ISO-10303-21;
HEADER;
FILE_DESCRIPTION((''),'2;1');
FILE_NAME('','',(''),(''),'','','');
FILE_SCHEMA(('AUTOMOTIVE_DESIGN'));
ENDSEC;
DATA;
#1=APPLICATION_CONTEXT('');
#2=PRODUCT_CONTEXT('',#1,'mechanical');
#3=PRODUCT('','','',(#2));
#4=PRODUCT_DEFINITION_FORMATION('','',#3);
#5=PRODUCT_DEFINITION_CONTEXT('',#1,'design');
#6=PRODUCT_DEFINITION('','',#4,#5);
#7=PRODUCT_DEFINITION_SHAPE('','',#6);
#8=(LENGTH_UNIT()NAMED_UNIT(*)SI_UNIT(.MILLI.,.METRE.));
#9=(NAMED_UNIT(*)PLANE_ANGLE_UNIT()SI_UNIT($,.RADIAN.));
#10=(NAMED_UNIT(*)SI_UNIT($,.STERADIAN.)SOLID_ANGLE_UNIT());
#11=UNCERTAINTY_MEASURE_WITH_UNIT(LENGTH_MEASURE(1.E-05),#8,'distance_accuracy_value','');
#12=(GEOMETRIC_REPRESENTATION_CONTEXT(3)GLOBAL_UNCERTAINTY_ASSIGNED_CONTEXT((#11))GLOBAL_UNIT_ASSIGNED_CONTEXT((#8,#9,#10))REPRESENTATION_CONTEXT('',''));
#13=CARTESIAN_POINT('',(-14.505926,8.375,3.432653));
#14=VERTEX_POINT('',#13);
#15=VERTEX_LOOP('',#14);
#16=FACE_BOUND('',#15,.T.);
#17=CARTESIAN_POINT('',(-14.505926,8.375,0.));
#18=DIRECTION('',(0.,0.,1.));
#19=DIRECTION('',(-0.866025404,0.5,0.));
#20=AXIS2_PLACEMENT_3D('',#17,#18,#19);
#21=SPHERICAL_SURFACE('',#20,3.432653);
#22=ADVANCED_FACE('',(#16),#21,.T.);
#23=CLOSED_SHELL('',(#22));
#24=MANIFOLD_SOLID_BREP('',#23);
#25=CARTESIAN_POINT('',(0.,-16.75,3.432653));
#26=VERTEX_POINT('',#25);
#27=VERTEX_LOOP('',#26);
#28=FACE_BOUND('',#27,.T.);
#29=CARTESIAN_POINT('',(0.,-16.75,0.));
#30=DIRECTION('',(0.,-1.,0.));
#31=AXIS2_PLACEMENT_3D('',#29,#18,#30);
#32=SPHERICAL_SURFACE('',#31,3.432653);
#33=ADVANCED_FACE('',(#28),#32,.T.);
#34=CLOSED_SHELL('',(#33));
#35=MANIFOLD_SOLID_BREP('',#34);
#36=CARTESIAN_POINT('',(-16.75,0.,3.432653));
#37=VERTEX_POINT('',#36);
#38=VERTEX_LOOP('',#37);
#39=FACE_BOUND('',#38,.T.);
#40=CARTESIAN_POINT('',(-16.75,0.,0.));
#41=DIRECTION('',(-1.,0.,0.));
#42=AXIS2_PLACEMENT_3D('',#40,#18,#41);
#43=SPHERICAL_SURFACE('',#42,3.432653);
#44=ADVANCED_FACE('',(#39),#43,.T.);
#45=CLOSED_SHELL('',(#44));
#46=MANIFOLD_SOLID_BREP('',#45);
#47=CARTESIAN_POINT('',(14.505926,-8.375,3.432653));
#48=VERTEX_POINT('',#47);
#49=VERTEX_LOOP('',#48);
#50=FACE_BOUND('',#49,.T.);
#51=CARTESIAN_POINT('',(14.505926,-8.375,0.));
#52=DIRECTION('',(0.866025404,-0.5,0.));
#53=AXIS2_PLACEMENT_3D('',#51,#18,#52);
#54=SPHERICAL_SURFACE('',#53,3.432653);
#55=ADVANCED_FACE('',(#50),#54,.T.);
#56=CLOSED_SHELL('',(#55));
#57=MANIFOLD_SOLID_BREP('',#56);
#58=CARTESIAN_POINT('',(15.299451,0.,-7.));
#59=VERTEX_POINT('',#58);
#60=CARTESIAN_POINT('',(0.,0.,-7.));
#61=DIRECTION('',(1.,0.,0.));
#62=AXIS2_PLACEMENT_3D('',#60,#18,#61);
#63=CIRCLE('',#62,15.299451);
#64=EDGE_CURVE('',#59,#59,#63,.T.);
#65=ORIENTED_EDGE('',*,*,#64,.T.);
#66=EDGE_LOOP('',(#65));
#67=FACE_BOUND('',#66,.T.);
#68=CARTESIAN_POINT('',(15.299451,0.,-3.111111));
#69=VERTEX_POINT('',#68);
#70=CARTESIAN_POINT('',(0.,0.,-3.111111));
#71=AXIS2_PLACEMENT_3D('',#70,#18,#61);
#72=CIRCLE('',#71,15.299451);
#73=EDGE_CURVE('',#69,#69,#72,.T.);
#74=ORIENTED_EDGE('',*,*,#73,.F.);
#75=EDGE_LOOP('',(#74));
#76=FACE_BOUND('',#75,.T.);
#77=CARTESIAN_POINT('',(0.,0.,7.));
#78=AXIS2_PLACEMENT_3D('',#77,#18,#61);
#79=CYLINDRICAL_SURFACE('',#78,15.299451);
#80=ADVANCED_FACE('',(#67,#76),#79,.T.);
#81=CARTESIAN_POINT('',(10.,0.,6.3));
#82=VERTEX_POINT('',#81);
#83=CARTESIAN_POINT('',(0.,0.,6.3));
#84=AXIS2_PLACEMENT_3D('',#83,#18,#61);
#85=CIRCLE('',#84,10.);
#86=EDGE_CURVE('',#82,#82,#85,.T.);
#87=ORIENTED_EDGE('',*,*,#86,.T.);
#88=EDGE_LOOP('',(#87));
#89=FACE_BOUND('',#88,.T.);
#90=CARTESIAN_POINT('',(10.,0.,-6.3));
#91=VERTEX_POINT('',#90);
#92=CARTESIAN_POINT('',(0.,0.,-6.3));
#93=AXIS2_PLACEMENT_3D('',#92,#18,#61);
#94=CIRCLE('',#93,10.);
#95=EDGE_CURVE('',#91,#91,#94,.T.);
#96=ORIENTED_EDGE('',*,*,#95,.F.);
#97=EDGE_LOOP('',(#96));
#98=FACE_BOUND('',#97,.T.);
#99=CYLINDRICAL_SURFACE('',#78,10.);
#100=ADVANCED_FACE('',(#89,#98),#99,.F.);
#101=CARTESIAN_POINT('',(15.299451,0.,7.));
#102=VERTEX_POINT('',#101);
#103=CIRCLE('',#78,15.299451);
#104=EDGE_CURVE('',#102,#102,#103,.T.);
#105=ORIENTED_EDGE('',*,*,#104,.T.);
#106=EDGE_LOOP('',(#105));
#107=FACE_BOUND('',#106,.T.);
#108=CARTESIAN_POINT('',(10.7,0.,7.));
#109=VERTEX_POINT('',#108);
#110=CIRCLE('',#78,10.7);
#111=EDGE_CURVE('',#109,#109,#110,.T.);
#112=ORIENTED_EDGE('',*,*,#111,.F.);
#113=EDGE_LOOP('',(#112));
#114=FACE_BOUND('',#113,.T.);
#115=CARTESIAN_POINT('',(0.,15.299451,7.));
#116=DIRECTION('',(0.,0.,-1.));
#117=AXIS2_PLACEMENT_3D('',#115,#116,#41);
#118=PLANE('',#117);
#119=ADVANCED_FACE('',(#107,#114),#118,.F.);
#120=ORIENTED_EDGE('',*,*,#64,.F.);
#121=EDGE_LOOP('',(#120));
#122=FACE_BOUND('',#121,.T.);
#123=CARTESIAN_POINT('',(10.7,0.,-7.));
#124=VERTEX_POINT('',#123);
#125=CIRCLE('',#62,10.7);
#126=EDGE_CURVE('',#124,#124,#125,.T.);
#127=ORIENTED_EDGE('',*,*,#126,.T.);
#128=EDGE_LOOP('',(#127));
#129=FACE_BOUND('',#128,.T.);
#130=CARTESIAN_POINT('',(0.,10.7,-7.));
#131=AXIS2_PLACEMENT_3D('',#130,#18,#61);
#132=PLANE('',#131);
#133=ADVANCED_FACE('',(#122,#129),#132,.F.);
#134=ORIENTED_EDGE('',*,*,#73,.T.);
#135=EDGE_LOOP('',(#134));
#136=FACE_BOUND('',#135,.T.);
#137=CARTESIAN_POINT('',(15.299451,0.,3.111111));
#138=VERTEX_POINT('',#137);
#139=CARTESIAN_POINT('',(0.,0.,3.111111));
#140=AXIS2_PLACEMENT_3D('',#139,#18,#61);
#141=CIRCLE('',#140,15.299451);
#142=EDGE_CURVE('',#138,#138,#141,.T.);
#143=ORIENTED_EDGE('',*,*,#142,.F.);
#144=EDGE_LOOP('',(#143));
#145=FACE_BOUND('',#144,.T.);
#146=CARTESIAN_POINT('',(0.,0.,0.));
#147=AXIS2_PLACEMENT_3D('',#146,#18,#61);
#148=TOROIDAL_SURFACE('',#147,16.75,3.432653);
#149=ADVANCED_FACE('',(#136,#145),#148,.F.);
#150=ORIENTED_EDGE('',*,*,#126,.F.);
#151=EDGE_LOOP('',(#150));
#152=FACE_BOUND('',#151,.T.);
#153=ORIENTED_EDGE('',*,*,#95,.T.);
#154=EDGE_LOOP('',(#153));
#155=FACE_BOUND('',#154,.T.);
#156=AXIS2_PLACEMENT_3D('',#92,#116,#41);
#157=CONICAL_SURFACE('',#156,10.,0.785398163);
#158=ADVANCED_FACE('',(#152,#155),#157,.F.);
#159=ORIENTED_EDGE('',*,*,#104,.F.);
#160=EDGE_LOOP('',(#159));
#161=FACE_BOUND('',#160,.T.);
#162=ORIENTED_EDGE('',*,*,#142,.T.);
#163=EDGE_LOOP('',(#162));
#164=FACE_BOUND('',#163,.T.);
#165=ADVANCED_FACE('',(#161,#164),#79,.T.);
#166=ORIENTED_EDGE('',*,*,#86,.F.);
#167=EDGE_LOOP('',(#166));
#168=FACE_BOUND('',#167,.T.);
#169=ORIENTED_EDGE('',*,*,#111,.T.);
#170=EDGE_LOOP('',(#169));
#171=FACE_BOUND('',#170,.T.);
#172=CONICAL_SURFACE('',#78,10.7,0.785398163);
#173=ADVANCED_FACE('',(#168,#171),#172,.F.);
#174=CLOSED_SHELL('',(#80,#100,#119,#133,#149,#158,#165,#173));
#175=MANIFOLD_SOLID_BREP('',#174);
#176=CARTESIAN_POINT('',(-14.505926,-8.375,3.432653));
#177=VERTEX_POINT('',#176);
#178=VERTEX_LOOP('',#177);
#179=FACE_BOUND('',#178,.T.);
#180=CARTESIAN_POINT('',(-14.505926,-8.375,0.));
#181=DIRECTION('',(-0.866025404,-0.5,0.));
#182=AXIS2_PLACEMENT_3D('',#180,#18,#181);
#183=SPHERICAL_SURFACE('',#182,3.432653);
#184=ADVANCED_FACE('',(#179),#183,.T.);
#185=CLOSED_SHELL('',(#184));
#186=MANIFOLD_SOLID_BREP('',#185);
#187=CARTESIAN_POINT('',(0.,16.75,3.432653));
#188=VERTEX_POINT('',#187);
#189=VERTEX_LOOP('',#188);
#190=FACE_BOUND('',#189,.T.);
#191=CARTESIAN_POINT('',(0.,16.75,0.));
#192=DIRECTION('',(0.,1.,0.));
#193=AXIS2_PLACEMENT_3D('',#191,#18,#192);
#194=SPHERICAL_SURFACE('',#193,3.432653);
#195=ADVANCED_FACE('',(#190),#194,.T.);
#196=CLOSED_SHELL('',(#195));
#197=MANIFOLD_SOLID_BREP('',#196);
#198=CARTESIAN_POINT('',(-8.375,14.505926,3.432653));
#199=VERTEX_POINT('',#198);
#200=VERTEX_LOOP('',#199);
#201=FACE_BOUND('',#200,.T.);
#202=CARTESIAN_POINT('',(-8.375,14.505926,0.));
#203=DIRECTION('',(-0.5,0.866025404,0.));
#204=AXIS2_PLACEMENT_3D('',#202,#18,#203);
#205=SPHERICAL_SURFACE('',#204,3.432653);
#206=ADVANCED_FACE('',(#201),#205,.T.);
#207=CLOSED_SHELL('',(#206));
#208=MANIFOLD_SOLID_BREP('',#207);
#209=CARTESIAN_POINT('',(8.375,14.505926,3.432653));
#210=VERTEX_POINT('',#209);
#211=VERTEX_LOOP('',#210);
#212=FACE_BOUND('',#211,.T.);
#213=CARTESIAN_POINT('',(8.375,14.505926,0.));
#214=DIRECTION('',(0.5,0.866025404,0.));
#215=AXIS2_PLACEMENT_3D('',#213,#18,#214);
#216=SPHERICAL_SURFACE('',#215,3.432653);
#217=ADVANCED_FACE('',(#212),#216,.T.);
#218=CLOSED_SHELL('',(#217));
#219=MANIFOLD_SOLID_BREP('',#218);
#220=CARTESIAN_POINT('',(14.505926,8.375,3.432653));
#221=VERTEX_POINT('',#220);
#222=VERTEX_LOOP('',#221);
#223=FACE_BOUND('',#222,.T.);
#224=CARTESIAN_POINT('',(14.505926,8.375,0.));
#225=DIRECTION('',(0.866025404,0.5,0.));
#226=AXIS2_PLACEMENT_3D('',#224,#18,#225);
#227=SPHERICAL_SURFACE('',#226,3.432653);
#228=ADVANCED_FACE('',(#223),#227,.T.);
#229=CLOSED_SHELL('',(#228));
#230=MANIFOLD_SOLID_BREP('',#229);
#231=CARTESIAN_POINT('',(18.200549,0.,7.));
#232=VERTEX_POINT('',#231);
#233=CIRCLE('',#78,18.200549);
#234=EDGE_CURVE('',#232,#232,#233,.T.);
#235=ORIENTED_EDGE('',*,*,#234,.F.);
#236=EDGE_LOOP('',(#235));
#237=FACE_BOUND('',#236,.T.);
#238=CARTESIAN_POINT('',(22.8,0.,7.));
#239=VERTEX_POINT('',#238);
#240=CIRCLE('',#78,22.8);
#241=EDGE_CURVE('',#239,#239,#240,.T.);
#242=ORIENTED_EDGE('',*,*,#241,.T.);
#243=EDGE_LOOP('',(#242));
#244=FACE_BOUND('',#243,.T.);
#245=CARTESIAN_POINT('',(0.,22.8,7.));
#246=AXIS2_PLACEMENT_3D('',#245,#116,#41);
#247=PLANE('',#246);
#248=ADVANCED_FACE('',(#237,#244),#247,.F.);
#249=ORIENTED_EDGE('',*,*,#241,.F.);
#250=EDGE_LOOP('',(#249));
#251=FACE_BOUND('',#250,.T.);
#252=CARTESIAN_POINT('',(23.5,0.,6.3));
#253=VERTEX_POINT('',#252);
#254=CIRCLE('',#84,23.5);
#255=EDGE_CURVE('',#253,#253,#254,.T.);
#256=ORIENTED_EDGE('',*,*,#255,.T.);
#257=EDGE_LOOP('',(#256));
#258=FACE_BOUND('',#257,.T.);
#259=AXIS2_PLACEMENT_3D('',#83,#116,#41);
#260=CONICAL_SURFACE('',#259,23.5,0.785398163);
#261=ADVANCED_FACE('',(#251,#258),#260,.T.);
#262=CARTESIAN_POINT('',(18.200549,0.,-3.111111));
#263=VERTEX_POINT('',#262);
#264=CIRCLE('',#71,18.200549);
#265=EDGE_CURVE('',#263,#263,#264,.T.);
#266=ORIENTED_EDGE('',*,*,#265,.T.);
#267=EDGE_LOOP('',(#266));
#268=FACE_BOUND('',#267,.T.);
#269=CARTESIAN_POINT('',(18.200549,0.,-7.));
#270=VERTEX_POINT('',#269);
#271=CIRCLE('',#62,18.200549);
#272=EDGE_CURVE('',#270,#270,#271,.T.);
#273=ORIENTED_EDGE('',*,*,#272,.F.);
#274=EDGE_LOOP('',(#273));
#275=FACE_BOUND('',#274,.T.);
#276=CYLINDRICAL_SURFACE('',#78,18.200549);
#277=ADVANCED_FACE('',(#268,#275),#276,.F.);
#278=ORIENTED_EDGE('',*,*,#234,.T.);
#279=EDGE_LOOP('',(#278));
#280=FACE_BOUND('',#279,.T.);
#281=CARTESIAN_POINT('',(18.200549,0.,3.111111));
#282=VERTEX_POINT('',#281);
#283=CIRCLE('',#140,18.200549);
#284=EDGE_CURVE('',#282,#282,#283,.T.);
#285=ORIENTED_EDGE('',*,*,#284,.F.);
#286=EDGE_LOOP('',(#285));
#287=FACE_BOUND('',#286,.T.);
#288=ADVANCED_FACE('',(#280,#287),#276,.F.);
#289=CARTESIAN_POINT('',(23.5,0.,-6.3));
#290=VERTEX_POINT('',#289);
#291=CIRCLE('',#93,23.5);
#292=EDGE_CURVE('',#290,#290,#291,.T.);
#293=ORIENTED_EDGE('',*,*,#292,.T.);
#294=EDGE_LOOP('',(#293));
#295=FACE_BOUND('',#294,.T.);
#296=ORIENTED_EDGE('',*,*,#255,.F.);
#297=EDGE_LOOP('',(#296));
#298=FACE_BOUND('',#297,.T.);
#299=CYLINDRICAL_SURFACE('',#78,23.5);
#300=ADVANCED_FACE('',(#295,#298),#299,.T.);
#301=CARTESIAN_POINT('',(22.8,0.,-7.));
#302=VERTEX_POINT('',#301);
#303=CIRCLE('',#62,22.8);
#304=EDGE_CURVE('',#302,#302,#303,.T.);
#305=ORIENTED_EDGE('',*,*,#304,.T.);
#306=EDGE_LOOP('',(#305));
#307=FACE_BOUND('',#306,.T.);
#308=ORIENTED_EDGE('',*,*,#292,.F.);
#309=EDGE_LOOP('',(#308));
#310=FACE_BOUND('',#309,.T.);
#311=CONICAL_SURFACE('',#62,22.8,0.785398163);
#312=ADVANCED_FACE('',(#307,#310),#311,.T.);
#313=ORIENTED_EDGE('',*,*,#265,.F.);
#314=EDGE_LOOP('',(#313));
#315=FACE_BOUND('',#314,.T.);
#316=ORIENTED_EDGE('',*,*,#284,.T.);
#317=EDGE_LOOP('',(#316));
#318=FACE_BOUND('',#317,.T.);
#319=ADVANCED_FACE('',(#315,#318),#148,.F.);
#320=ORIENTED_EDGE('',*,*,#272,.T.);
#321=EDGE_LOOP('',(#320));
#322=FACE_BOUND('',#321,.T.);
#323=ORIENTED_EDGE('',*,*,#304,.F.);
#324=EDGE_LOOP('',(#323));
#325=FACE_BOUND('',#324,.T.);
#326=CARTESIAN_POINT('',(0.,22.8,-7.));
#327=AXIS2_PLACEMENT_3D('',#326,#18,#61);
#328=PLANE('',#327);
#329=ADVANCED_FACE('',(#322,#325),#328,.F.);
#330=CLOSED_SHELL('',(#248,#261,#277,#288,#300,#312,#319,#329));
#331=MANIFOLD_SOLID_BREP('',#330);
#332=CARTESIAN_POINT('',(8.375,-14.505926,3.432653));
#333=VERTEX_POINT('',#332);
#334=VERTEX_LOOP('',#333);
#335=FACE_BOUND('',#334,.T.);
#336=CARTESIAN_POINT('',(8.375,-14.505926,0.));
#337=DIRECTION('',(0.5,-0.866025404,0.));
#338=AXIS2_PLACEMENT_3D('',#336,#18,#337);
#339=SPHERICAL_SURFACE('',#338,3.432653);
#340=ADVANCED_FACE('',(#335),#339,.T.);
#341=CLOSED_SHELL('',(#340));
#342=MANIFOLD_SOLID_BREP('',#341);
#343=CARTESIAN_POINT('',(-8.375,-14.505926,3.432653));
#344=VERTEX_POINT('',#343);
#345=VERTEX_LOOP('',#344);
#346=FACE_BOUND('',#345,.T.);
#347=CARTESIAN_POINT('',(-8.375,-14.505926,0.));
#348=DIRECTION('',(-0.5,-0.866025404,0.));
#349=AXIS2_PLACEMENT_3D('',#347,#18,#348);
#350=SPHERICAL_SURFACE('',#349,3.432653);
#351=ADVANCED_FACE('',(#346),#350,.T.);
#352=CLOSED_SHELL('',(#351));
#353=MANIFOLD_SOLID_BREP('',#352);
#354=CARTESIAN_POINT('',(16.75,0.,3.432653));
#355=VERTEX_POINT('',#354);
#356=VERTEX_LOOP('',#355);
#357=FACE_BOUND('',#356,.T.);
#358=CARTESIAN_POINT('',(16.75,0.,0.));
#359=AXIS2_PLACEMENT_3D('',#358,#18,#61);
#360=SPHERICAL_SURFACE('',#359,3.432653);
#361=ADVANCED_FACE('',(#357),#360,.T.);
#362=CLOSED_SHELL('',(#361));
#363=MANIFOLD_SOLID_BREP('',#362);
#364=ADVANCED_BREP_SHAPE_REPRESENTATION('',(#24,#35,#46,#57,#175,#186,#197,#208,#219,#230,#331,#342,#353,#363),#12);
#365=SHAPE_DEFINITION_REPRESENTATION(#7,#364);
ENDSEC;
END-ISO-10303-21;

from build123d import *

# Parameters (mm, degrees)
CIRPATTERN1_COUNT = 12


with BuildPart() as part:
    # Sketch1 → Revolve1 (revolve)
    with BuildSketch(Plane(origin=(0, 0, 0), x_dir=(0, 0, -1), z_dir=(1, 0, 0))):
        with BuildLine():
            Line((6.3, 23.5), (-6.3, 23.5))
            Line((-6.3, 23.5), (-7, 22.8))
            Line((-7, 22.8), (-7, 18.200549451))
            Line((-7, 18.200549451), (-3.111111111, 18.200549451))
            ThreePointArc((-3.111111111, 18.200549451), (0, 20.182652918), (3.111111111, 18.200549451))
            Line((3.111111111, 18.200549451), (7, 18.200549451))
            Line((7, 18.200549451), (7, 22.8))
            Line((7, 22.8), (6.3, 23.5))
        make_face()
    revolve(axis=Axis((0, 0, 7), (0, 0, -1)))


with BuildPart() as body_2:
    # Sketch3 → Revolve3 (revolve)
    with BuildSketch(Plane(origin=(0, 0, 0), x_dir=(0, 0, -1), z_dir=(1, 0, 0))):
        with BuildLine():
            Line((-7, 15.299450549), (-3.111111111, 15.299450549))
            ThreePointArc((-3.111111111, 15.299450549), (0, 13.317347082), (3.111111111, 15.299450549))
            Line((3.111111111, 15.299450549), (7, 15.299450549))
            Line((7, 15.299450549), (7, 10.7))
            Line((7, 10.7), (6.3, 10))
            Line((6.3, 10), (-6.3, 10))
            Line((-6.3, 10), (-7, 10.7))
            Line((-7, 10.7), (-7, 15.299450549))
        make_face()
    revolve(axis=Axis((0, 0, 7), (0, 0, -1)))


with BuildPart() as body_3:
    # Sketch4 → Revolve4 (revolve)
    with BuildSketch(Plane(origin=(0, 0, 0), x_dir=(0, 0, -1), z_dir=(1, 0, 0))):
        with BuildLine():
            Line((-3.432652918, 16.75), (3.432652918, 16.75))
            ThreePointArc((3.432652918, 16.75), (0, 20.182652918), (-3.432652918, 16.75))
        make_face()
    revolve(axis=Axis((0, 16.75, 3.432652918), (0, 0, -1)))


with BuildPart() as cirpattern1_1:
    # CirPattern1: pattern copy
    add(body_3.part.rotate(Axis((0, 0, -7), (0, 0, 1)), 1 * 360 / CIRPATTERN1_COUNT))


with BuildPart() as cirpattern1_2:
    # CirPattern1: pattern copy
    add(body_3.part.rotate(Axis((0, 0, -7), (0, 0, 1)), 2 * 360 / CIRPATTERN1_COUNT))


with BuildPart() as cirpattern1_3:
    # CirPattern1: pattern copy
    add(body_3.part.rotate(Axis((0, 0, -7), (0, 0, 1)), 3 * 360 / CIRPATTERN1_COUNT))


with BuildPart() as cirpattern1_4:
    # CirPattern1: pattern copy
    add(body_3.part.rotate(Axis((0, 0, -7), (0, 0, 1)), 4 * 360 / CIRPATTERN1_COUNT))


with BuildPart() as cirpattern1_5:
    # CirPattern1: pattern copy
    add(body_3.part.rotate(Axis((0, 0, -7), (0, 0, 1)), 5 * 360 / CIRPATTERN1_COUNT))


with BuildPart() as cirpattern1_6:
    # CirPattern1: pattern copy
    add(body_3.part.rotate(Axis((0, 0, -7), (0, 0, 1)), 6 * 360 / CIRPATTERN1_COUNT))


with BuildPart() as cirpattern1_7:
    # CirPattern1: pattern copy
    add(body_3.part.rotate(Axis((0, 0, -7), (0, 0, 1)), 7 * 360 / CIRPATTERN1_COUNT))


with BuildPart() as cirpattern1_8:
    # CirPattern1: pattern copy
    add(body_3.part.rotate(Axis((0, 0, -7), (0, 0, 1)), 8 * 360 / CIRPATTERN1_COUNT))


with BuildPart() as cirpattern1_9:
    # CirPattern1: pattern copy
    add(body_3.part.rotate(Axis((0, 0, -7), (0, 0, 1)), 9 * 360 / CIRPATTERN1_COUNT))


with BuildPart() as cirpattern1_10:
    # CirPattern1: pattern copy
    add(body_3.part.rotate(Axis((0, 0, -7), (0, 0, 1)), 10 * 360 / CIRPATTERN1_COUNT))


with BuildPart() as cirpattern1_11:
    # CirPattern1: pattern copy
    add(body_3.part.rotate(Axis((0, 0, -7), (0, 0, 1)), 11 * 360 / CIRPATTERN1_COUNT))


solid = Compound([part.part, body_2.part, body_3.part, cirpattern1_1.part, cirpattern1_2.part, cirpattern1_3.part, cirpattern1_4.part, cirpattern1_5.part, cirpattern1_6.part, cirpattern1_7.part, cirpattern1_8.part, cirpattern1_9.part, cirpattern1_10.part, cirpattern1_11.part])
